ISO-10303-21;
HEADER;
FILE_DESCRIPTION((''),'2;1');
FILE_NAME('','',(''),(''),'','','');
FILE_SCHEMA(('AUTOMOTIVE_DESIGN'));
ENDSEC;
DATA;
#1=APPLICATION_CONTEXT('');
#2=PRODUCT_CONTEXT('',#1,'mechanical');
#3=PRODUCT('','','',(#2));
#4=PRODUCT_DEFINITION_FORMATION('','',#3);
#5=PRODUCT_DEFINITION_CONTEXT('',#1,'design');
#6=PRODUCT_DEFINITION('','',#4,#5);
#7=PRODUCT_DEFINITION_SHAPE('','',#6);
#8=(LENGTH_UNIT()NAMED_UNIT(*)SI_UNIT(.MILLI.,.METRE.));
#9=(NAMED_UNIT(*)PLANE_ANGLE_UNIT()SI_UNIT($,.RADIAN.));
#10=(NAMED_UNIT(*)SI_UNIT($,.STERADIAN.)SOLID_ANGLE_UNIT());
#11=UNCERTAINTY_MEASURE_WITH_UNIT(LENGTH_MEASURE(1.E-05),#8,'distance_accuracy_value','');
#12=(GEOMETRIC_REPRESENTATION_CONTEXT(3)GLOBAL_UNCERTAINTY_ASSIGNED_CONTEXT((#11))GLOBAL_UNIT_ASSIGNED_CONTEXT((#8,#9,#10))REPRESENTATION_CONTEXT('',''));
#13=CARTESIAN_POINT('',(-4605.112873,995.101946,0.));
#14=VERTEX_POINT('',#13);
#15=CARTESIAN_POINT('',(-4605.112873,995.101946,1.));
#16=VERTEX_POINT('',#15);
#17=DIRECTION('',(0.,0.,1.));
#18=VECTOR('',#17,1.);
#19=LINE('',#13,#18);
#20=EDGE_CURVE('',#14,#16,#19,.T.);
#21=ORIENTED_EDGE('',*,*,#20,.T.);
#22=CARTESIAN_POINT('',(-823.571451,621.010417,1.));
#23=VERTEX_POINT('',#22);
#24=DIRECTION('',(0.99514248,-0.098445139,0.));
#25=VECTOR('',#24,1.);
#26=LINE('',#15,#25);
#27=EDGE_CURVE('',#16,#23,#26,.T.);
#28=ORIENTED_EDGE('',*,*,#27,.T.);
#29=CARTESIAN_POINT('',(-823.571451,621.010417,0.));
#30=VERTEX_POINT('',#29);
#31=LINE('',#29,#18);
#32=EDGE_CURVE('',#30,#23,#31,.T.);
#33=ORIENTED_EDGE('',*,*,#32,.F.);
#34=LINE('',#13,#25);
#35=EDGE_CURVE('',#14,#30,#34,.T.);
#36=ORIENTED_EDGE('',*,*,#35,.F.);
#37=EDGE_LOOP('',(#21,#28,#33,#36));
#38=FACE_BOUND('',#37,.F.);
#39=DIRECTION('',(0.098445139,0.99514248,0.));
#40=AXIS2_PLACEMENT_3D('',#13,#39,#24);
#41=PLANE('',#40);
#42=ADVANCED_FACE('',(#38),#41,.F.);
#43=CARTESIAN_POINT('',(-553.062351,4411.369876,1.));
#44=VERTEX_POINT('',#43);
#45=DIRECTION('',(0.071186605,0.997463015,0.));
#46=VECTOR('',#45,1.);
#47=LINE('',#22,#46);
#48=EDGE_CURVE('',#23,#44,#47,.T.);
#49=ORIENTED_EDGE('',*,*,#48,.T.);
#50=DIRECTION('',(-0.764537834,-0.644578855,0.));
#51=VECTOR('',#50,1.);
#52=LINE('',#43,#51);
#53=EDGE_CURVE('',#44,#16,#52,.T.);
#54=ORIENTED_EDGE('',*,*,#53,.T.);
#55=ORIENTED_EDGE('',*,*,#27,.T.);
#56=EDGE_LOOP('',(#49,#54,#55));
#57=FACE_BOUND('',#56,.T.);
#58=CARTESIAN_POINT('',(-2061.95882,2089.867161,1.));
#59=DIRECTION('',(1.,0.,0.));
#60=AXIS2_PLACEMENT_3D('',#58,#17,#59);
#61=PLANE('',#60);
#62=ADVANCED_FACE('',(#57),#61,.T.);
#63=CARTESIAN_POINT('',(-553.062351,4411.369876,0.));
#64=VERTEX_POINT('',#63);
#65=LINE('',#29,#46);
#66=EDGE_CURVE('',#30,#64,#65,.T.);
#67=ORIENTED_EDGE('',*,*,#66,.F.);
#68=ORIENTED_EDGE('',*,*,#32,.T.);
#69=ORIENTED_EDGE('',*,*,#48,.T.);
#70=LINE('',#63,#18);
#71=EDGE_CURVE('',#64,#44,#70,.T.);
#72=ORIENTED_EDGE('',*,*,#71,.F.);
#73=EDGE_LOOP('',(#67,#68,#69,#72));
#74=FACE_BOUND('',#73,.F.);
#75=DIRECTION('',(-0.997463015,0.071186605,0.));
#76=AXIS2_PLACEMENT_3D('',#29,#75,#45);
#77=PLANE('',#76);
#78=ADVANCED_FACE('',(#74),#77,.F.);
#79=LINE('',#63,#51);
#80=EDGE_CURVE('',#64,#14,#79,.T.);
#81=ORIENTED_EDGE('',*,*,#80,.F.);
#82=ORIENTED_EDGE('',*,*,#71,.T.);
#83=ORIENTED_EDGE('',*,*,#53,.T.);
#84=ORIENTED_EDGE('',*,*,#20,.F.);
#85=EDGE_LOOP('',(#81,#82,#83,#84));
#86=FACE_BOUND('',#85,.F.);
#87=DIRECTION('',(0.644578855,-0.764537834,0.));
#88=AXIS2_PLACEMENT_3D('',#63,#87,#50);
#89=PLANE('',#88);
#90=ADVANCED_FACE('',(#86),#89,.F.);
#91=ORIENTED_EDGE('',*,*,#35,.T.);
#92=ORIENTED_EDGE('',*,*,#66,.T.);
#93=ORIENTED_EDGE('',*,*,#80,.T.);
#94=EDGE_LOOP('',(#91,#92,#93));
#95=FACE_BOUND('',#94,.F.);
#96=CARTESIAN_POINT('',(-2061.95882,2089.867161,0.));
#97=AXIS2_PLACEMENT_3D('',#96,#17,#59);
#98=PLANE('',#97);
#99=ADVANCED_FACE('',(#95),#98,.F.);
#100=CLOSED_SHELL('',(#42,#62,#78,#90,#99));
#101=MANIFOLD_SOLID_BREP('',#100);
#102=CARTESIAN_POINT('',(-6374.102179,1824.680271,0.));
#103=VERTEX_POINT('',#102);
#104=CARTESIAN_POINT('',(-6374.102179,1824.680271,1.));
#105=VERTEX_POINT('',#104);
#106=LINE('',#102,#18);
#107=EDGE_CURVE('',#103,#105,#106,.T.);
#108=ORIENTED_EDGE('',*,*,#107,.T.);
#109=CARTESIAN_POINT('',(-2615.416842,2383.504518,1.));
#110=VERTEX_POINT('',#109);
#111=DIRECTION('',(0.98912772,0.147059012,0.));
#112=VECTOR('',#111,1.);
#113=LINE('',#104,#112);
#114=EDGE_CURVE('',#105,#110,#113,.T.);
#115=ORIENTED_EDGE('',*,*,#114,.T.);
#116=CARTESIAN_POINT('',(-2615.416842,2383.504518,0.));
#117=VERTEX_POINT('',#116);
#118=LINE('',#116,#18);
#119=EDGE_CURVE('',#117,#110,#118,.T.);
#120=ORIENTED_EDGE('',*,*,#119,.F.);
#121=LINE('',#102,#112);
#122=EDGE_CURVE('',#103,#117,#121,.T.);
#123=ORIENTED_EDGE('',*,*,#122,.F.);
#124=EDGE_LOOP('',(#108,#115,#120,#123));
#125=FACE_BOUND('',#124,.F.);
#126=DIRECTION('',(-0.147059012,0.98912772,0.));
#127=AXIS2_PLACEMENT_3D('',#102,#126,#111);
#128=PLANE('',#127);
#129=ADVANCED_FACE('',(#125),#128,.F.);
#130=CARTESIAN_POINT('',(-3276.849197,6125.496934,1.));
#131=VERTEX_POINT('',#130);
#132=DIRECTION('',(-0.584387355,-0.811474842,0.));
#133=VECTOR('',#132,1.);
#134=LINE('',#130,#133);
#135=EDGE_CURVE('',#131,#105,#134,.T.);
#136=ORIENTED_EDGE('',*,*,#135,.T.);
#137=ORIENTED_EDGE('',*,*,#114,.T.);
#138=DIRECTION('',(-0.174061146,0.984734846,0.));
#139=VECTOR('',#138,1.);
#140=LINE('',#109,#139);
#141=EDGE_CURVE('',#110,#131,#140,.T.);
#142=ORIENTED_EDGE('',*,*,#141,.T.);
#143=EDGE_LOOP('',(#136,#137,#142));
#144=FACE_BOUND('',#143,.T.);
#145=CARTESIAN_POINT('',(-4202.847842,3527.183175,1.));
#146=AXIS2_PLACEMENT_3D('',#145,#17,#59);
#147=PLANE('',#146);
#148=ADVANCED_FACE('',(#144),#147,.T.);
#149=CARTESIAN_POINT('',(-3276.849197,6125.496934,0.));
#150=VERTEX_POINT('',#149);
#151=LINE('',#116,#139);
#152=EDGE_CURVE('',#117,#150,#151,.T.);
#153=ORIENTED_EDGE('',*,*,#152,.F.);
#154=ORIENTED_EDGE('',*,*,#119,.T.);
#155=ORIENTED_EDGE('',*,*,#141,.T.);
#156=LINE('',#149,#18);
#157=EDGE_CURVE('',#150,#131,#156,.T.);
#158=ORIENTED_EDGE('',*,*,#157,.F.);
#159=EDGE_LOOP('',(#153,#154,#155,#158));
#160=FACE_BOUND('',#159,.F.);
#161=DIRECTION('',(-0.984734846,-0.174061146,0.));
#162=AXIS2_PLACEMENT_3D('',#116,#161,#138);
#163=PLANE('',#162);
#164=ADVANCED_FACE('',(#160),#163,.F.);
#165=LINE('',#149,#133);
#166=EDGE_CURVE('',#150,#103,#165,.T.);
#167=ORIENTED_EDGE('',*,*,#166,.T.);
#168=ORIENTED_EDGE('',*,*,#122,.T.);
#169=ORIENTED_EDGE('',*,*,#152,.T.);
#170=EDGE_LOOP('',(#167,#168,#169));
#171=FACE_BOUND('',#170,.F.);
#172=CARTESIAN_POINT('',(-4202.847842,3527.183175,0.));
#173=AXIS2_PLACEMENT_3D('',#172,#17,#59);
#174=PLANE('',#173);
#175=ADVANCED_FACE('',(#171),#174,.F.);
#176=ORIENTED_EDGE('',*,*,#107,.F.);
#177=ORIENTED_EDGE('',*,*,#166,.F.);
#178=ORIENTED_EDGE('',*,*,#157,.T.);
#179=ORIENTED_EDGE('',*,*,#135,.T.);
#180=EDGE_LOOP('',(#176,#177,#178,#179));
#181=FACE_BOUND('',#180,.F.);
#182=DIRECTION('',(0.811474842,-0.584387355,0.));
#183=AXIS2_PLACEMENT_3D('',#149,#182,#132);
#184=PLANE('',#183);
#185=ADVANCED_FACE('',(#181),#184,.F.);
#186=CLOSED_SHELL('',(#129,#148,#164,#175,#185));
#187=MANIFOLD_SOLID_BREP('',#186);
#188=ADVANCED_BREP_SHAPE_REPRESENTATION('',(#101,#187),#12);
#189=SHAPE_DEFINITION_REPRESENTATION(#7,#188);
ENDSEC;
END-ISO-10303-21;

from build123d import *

# Parameters (mm, degrees)
F1_DEPTH = 1
F3_DEPTH = 1


with BuildPart() as f1:
    # F0 (on Top) → F1 (new body)
    with BuildSketch(Plane.XY):
        Polygon((-3276.8491966104, 6125.4969335074), (-6374.1021788008, 1824.680271022), (-3002.1043945424, 2326.0135704607), (-2671.8792006384, 2702.9350935378), align=None)
        Polygon((-3002.1043945424, 2326.0135704607), (-2615.4168419623, 2383.5045176647), (-2671.8792006384, 2702.9350935378), align=None)
    extrude(amount=F1_DEPTH)


with BuildPart() as f3:
    # F2 (on Top) → F3 (new body)
    with BuildSketch(Plane.XY):
        Polygon((-553.0623509462, 4411.3698755779), (-4605.1128730398, 995.1019460384), (-823.5714508497, 621.0104167839), align=None)
    extrude(amount=F3_DEPTH)


solid = Compound([f1.part, f3.part])
